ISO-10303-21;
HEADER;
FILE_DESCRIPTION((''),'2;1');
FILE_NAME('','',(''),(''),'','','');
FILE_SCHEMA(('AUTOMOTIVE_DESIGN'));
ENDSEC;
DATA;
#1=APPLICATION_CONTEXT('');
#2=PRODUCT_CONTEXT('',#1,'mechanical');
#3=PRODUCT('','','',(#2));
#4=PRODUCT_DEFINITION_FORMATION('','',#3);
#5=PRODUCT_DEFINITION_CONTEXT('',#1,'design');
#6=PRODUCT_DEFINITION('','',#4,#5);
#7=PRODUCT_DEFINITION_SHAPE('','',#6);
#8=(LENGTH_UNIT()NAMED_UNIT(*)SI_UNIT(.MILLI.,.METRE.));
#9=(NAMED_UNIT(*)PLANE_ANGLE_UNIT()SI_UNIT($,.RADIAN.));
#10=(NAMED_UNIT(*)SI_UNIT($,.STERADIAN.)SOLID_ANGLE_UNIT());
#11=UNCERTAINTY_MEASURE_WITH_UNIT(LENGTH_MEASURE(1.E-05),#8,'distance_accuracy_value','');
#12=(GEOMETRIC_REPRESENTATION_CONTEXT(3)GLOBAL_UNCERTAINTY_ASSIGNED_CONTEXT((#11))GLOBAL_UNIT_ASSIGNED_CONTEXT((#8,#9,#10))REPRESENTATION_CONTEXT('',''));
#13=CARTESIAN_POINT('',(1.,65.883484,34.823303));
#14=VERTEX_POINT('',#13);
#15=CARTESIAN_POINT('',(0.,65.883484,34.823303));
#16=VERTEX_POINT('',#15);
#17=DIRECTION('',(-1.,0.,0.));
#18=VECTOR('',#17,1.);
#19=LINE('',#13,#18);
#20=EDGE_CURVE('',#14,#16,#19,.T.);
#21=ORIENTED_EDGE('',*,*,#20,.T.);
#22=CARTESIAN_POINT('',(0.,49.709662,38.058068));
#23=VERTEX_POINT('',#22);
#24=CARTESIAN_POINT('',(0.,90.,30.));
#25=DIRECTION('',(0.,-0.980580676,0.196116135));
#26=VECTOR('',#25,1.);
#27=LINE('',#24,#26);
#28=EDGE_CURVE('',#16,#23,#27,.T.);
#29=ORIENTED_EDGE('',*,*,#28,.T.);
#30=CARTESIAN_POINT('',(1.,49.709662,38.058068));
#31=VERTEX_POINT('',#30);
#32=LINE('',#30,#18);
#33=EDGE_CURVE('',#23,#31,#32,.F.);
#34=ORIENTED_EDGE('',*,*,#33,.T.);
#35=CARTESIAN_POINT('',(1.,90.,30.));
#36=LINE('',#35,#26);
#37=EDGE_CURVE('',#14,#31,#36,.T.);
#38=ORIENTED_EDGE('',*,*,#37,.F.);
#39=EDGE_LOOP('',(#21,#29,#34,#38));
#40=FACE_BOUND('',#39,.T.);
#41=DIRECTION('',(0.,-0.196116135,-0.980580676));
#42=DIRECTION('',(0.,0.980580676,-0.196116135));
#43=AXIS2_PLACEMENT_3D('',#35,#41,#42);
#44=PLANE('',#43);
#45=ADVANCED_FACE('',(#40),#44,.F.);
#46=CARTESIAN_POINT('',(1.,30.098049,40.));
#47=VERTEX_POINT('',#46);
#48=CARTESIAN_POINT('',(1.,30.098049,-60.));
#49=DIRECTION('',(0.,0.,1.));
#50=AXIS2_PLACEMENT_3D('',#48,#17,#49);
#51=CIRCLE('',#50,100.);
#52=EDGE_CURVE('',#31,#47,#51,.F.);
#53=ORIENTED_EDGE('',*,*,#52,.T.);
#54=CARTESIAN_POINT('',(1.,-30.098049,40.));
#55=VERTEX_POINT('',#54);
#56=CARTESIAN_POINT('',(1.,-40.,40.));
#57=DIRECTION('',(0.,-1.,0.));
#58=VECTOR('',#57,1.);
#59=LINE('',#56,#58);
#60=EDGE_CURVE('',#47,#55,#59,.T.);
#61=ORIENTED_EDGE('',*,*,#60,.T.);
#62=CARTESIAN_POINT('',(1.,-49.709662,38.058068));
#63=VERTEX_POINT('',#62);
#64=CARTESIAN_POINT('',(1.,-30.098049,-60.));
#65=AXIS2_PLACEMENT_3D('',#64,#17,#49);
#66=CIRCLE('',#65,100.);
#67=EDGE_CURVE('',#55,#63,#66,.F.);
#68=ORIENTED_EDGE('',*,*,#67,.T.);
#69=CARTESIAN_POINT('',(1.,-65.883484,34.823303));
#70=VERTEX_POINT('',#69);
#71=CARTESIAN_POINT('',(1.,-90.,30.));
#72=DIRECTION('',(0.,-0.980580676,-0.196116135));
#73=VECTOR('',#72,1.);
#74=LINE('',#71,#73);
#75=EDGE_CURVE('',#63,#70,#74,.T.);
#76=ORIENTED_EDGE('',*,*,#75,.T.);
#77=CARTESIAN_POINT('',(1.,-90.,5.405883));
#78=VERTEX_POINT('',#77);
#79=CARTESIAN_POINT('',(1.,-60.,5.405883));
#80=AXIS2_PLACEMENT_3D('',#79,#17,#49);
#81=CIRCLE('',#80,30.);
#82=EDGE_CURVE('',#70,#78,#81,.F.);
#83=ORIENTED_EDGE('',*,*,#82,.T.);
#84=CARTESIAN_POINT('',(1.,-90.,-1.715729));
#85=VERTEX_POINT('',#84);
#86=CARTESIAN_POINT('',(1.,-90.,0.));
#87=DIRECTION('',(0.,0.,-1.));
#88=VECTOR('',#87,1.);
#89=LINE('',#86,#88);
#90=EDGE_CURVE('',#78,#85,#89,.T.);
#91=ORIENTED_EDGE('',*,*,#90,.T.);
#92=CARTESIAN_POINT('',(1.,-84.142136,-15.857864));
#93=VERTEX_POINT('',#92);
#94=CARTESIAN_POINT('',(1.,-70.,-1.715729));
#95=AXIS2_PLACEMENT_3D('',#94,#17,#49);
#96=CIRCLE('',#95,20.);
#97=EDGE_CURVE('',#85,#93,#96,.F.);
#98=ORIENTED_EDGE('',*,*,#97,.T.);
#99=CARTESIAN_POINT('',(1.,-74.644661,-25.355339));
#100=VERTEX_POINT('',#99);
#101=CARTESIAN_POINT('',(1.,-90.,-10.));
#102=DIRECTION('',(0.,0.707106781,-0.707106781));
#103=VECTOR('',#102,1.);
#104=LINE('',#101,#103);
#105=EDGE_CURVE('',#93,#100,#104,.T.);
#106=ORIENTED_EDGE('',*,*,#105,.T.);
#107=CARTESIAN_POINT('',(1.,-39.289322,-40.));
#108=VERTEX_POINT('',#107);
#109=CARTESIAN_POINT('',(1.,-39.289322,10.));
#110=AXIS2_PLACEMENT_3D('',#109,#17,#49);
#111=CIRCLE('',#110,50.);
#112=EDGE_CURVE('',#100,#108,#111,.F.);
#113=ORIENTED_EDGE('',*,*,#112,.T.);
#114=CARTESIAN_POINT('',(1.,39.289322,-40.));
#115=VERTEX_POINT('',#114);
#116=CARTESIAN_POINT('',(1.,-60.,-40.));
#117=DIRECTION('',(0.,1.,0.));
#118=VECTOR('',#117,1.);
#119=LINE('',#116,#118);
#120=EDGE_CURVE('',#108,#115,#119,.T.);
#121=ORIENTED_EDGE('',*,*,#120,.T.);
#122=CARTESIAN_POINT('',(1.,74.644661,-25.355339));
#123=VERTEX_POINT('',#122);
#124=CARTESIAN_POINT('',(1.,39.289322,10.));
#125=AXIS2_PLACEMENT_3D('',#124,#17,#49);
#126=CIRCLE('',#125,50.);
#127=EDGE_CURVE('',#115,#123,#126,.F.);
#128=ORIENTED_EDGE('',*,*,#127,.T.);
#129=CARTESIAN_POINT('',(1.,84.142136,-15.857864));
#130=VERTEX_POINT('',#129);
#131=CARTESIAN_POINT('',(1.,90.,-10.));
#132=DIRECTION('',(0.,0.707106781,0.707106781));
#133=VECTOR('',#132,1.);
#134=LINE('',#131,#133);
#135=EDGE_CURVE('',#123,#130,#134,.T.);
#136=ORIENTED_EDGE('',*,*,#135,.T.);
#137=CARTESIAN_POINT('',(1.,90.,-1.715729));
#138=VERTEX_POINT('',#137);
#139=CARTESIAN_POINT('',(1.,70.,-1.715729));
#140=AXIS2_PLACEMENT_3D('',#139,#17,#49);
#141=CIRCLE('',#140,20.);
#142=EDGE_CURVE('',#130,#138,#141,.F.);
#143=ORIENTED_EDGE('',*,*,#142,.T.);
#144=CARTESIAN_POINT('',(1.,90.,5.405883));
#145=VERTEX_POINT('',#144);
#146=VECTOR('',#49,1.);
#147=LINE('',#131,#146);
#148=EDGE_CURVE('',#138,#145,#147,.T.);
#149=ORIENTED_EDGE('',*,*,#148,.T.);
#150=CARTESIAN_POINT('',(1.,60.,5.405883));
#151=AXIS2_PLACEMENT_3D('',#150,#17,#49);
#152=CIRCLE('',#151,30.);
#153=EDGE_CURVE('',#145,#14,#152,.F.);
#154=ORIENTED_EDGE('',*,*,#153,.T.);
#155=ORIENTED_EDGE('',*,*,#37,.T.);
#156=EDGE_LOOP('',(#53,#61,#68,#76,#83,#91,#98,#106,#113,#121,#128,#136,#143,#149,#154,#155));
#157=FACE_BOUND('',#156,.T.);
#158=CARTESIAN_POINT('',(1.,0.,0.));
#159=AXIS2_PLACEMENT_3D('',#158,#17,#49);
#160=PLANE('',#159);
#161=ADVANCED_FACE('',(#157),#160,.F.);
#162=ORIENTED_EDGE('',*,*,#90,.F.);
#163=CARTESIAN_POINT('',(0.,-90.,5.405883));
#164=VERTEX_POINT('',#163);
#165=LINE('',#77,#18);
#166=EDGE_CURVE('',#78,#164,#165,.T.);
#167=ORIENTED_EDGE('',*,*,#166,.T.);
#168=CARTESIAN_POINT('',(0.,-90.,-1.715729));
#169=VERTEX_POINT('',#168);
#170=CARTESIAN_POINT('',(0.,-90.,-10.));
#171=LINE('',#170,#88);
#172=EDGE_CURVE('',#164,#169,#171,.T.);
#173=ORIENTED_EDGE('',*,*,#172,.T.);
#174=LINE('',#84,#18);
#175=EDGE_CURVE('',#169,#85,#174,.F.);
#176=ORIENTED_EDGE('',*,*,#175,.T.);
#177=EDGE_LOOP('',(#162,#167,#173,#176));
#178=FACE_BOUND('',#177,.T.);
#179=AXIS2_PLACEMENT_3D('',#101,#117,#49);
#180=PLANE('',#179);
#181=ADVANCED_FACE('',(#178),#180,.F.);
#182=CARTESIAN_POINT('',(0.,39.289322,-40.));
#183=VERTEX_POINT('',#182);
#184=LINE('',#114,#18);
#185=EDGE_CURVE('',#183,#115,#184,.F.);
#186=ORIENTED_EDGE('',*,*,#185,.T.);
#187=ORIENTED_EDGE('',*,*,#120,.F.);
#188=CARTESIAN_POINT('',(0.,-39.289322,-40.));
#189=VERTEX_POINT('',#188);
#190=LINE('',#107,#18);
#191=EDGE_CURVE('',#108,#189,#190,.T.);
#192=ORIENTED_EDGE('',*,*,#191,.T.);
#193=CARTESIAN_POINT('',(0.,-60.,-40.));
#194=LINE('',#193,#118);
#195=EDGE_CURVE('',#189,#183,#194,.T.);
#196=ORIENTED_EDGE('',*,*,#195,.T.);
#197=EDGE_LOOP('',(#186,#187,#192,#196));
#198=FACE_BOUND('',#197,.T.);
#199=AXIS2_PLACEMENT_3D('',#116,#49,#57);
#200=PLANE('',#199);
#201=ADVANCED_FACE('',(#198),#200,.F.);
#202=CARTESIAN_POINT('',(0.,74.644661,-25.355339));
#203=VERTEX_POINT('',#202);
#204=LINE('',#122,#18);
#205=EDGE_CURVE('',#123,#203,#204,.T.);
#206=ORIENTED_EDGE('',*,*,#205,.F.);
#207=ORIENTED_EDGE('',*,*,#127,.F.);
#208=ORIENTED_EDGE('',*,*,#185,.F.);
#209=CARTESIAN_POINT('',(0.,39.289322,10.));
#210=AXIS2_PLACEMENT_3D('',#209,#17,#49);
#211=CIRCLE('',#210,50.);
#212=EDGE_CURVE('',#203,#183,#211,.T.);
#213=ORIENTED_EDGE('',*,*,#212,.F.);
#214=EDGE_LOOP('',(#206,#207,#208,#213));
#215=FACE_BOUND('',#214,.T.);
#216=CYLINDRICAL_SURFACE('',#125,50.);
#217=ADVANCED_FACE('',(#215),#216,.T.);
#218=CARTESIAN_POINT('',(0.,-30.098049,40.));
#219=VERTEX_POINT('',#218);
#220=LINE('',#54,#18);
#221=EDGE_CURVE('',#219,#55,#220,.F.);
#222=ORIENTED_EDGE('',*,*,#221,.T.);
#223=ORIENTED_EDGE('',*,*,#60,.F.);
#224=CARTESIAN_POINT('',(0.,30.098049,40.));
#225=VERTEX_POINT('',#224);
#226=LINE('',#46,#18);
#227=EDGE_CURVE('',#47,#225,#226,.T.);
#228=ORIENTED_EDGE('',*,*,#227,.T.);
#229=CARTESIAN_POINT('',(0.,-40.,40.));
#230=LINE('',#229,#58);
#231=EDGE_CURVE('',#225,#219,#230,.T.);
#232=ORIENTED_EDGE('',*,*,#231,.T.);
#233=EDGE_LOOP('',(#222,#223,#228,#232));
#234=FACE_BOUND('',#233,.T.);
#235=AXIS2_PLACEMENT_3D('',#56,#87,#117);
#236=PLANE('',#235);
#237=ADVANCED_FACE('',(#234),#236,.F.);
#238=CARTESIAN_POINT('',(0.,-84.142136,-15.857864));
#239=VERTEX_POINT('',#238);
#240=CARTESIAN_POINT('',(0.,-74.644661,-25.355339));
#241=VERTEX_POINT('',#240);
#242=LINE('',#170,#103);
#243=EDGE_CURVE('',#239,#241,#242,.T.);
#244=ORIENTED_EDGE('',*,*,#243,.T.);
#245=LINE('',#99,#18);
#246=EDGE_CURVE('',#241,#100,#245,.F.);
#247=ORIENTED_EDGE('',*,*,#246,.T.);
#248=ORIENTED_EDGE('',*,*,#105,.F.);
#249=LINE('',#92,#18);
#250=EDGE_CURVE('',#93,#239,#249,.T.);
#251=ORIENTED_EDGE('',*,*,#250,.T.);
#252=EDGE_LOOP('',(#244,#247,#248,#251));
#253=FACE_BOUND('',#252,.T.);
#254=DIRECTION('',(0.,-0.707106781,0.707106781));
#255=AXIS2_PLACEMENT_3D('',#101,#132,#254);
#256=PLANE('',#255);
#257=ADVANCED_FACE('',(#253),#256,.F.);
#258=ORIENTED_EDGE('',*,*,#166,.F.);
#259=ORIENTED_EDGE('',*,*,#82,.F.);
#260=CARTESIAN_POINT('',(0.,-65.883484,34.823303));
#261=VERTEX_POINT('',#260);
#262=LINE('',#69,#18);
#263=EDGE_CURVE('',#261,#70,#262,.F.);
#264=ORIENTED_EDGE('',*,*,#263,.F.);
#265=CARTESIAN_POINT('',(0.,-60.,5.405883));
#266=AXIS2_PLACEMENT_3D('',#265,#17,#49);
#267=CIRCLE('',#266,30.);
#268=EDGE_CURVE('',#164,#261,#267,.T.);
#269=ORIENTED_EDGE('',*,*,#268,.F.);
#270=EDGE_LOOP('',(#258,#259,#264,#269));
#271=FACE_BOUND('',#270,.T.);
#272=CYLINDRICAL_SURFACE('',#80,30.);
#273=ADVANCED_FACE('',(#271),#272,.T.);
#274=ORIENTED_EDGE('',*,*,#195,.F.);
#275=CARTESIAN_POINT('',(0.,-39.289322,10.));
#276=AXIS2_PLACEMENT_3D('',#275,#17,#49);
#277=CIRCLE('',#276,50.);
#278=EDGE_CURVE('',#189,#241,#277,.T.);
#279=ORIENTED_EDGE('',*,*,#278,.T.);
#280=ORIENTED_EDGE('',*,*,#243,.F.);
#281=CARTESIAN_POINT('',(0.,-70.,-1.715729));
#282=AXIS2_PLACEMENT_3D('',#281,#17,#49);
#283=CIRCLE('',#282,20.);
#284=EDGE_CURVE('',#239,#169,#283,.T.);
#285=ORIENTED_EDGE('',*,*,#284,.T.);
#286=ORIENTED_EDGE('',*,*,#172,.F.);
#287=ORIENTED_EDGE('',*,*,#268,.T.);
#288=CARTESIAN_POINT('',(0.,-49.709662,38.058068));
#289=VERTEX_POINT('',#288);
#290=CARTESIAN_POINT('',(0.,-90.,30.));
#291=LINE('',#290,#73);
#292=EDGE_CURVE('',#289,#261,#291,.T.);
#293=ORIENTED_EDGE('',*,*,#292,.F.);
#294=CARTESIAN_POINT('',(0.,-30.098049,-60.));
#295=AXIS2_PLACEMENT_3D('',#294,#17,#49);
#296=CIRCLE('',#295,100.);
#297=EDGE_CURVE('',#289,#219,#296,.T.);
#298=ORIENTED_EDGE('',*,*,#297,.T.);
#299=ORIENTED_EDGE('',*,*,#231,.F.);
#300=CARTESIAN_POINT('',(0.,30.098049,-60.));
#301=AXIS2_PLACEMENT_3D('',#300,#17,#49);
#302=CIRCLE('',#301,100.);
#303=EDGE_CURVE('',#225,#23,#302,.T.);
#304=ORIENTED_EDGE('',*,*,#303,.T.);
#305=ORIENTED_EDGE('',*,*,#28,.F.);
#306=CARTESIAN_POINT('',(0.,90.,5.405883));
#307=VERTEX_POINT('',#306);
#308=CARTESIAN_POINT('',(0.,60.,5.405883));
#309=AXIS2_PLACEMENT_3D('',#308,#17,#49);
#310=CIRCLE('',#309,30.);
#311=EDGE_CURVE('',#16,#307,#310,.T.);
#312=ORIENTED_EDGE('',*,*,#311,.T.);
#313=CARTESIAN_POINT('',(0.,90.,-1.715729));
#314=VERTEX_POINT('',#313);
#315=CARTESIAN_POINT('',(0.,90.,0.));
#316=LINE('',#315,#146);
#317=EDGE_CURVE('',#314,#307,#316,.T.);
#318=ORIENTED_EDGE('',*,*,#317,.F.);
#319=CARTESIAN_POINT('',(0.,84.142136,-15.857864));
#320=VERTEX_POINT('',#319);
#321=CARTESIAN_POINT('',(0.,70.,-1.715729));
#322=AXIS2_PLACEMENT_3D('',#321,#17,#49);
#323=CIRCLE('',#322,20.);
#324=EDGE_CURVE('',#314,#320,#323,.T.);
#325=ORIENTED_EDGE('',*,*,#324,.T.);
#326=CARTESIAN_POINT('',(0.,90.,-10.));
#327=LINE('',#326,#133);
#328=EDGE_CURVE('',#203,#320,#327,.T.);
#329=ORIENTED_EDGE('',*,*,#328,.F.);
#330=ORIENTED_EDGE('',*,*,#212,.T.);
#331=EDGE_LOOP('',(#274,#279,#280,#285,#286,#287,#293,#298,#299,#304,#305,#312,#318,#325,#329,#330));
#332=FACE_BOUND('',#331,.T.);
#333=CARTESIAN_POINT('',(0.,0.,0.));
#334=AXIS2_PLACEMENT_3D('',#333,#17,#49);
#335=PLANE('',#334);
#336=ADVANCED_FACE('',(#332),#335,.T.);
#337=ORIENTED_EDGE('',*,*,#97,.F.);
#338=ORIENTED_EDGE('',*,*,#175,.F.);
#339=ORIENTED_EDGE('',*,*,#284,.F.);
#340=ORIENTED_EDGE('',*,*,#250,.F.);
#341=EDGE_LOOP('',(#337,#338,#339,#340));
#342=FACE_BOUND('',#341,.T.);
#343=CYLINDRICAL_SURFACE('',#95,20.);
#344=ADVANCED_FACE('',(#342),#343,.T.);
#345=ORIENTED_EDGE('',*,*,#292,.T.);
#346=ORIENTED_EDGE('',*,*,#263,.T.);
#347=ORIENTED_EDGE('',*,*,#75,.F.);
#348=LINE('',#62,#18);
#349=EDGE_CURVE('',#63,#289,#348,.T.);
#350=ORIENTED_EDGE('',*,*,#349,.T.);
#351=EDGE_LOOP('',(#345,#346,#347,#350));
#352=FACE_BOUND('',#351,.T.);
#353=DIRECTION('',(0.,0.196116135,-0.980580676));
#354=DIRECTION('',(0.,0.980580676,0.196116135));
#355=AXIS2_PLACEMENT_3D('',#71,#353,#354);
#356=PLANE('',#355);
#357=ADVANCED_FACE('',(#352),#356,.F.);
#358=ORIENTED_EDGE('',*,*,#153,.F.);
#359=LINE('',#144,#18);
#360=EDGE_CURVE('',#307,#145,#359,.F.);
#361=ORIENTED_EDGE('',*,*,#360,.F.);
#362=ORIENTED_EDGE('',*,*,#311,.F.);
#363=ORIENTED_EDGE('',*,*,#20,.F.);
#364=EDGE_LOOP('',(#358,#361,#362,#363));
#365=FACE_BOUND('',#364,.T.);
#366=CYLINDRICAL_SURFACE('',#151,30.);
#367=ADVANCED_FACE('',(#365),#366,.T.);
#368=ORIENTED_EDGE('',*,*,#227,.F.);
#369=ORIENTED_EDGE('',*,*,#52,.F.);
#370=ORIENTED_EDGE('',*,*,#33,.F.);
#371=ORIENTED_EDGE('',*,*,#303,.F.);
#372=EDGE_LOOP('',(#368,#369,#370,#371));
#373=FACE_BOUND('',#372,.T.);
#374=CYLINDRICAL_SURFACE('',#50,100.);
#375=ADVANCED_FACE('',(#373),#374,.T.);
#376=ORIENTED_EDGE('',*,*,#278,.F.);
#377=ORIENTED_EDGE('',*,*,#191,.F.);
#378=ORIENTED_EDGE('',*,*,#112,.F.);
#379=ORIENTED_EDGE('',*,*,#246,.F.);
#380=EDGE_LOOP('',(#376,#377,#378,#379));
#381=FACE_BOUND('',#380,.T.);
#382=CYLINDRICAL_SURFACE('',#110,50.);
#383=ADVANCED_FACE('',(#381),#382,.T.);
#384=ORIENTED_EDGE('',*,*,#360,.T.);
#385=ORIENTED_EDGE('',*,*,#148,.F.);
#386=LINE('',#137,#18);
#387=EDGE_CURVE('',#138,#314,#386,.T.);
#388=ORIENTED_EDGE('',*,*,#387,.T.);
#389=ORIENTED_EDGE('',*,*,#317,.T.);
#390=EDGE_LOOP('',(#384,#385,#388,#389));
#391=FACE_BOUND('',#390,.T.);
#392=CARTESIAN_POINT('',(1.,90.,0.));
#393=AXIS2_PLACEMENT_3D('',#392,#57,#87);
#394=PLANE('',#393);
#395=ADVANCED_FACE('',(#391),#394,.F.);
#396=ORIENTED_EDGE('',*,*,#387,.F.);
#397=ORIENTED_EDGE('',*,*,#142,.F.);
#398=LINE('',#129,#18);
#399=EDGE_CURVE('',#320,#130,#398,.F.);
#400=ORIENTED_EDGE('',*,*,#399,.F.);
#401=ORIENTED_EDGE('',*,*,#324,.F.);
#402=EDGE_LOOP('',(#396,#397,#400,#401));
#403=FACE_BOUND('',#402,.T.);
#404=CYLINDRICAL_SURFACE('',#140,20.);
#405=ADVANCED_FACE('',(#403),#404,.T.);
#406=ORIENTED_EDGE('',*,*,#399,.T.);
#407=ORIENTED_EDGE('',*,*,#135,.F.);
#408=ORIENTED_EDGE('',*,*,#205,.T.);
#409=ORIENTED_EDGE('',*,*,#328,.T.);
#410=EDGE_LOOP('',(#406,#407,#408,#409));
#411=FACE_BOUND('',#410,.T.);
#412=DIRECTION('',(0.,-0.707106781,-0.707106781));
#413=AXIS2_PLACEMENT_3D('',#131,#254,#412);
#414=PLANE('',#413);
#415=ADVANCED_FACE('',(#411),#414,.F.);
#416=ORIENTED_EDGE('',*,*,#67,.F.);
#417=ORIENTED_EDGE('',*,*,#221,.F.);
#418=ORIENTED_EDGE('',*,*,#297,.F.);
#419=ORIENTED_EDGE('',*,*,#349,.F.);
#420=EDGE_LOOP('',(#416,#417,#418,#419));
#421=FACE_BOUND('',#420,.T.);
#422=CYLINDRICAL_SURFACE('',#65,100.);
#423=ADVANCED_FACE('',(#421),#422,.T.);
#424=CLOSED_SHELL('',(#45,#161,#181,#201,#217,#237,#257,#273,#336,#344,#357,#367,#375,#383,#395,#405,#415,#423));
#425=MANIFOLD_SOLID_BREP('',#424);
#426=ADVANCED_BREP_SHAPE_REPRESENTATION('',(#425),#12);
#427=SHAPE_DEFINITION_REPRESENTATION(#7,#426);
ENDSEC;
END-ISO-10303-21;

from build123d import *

# Parameters (mm, degrees)
BOSS_EXTRUDE1_DEPTH = 1
FILLET1_R           = 100
FILLET2_R           = 30
FILLET3_R           = 20
FILLET4_R           = 50


with BuildPart() as part:
    # Sketch1 → Boss-Extrude1 (new body)
    with BuildSketch(Plane.YZ):
        Polygon((-40, 40), (40, 40), (90, 30), (90, 0), (90, -10), (60, -40), (-60, -40), (-90, -10), (-90, 0), (-90, 30), align=None)
    extrude(amount=BOSS_EXTRUDE1_DEPTH)

    # Fillet1
    fillet1_edges = [part.edges().sort_by_distance(p)[0] for p in [
        (0.5, -40, 40),
        (0.5, 40, 40),
    ]]
    fillet(fillet1_edges, radius=FILLET1_R)

    # Fillet2
    fillet2_edges = [part.edges().sort_by_distance(p)[0] for p in [
        (0.5, 90, 30),
        (0.5, -90, 30),
    ]]
    fillet(fillet2_edges, radius=FILLET2_R)

    # Fillet3
    fillet3_edges = [part.edges().sort_by_distance(p)[0] for p in [
        (0.5, 90, -10),
        (0.5, -90, -10),
    ]]
    fillet(fillet3_edges, radius=FILLET3_R)

    # Fillet4
    fillet4_edges = [part.edges().sort_by_distance(p)[0] for p in [
        (0.5, 60, -40),
        (0.5, -60, -40),
    ]]
    fillet(fillet4_edges, radius=FILLET4_R)


solid = part.part
